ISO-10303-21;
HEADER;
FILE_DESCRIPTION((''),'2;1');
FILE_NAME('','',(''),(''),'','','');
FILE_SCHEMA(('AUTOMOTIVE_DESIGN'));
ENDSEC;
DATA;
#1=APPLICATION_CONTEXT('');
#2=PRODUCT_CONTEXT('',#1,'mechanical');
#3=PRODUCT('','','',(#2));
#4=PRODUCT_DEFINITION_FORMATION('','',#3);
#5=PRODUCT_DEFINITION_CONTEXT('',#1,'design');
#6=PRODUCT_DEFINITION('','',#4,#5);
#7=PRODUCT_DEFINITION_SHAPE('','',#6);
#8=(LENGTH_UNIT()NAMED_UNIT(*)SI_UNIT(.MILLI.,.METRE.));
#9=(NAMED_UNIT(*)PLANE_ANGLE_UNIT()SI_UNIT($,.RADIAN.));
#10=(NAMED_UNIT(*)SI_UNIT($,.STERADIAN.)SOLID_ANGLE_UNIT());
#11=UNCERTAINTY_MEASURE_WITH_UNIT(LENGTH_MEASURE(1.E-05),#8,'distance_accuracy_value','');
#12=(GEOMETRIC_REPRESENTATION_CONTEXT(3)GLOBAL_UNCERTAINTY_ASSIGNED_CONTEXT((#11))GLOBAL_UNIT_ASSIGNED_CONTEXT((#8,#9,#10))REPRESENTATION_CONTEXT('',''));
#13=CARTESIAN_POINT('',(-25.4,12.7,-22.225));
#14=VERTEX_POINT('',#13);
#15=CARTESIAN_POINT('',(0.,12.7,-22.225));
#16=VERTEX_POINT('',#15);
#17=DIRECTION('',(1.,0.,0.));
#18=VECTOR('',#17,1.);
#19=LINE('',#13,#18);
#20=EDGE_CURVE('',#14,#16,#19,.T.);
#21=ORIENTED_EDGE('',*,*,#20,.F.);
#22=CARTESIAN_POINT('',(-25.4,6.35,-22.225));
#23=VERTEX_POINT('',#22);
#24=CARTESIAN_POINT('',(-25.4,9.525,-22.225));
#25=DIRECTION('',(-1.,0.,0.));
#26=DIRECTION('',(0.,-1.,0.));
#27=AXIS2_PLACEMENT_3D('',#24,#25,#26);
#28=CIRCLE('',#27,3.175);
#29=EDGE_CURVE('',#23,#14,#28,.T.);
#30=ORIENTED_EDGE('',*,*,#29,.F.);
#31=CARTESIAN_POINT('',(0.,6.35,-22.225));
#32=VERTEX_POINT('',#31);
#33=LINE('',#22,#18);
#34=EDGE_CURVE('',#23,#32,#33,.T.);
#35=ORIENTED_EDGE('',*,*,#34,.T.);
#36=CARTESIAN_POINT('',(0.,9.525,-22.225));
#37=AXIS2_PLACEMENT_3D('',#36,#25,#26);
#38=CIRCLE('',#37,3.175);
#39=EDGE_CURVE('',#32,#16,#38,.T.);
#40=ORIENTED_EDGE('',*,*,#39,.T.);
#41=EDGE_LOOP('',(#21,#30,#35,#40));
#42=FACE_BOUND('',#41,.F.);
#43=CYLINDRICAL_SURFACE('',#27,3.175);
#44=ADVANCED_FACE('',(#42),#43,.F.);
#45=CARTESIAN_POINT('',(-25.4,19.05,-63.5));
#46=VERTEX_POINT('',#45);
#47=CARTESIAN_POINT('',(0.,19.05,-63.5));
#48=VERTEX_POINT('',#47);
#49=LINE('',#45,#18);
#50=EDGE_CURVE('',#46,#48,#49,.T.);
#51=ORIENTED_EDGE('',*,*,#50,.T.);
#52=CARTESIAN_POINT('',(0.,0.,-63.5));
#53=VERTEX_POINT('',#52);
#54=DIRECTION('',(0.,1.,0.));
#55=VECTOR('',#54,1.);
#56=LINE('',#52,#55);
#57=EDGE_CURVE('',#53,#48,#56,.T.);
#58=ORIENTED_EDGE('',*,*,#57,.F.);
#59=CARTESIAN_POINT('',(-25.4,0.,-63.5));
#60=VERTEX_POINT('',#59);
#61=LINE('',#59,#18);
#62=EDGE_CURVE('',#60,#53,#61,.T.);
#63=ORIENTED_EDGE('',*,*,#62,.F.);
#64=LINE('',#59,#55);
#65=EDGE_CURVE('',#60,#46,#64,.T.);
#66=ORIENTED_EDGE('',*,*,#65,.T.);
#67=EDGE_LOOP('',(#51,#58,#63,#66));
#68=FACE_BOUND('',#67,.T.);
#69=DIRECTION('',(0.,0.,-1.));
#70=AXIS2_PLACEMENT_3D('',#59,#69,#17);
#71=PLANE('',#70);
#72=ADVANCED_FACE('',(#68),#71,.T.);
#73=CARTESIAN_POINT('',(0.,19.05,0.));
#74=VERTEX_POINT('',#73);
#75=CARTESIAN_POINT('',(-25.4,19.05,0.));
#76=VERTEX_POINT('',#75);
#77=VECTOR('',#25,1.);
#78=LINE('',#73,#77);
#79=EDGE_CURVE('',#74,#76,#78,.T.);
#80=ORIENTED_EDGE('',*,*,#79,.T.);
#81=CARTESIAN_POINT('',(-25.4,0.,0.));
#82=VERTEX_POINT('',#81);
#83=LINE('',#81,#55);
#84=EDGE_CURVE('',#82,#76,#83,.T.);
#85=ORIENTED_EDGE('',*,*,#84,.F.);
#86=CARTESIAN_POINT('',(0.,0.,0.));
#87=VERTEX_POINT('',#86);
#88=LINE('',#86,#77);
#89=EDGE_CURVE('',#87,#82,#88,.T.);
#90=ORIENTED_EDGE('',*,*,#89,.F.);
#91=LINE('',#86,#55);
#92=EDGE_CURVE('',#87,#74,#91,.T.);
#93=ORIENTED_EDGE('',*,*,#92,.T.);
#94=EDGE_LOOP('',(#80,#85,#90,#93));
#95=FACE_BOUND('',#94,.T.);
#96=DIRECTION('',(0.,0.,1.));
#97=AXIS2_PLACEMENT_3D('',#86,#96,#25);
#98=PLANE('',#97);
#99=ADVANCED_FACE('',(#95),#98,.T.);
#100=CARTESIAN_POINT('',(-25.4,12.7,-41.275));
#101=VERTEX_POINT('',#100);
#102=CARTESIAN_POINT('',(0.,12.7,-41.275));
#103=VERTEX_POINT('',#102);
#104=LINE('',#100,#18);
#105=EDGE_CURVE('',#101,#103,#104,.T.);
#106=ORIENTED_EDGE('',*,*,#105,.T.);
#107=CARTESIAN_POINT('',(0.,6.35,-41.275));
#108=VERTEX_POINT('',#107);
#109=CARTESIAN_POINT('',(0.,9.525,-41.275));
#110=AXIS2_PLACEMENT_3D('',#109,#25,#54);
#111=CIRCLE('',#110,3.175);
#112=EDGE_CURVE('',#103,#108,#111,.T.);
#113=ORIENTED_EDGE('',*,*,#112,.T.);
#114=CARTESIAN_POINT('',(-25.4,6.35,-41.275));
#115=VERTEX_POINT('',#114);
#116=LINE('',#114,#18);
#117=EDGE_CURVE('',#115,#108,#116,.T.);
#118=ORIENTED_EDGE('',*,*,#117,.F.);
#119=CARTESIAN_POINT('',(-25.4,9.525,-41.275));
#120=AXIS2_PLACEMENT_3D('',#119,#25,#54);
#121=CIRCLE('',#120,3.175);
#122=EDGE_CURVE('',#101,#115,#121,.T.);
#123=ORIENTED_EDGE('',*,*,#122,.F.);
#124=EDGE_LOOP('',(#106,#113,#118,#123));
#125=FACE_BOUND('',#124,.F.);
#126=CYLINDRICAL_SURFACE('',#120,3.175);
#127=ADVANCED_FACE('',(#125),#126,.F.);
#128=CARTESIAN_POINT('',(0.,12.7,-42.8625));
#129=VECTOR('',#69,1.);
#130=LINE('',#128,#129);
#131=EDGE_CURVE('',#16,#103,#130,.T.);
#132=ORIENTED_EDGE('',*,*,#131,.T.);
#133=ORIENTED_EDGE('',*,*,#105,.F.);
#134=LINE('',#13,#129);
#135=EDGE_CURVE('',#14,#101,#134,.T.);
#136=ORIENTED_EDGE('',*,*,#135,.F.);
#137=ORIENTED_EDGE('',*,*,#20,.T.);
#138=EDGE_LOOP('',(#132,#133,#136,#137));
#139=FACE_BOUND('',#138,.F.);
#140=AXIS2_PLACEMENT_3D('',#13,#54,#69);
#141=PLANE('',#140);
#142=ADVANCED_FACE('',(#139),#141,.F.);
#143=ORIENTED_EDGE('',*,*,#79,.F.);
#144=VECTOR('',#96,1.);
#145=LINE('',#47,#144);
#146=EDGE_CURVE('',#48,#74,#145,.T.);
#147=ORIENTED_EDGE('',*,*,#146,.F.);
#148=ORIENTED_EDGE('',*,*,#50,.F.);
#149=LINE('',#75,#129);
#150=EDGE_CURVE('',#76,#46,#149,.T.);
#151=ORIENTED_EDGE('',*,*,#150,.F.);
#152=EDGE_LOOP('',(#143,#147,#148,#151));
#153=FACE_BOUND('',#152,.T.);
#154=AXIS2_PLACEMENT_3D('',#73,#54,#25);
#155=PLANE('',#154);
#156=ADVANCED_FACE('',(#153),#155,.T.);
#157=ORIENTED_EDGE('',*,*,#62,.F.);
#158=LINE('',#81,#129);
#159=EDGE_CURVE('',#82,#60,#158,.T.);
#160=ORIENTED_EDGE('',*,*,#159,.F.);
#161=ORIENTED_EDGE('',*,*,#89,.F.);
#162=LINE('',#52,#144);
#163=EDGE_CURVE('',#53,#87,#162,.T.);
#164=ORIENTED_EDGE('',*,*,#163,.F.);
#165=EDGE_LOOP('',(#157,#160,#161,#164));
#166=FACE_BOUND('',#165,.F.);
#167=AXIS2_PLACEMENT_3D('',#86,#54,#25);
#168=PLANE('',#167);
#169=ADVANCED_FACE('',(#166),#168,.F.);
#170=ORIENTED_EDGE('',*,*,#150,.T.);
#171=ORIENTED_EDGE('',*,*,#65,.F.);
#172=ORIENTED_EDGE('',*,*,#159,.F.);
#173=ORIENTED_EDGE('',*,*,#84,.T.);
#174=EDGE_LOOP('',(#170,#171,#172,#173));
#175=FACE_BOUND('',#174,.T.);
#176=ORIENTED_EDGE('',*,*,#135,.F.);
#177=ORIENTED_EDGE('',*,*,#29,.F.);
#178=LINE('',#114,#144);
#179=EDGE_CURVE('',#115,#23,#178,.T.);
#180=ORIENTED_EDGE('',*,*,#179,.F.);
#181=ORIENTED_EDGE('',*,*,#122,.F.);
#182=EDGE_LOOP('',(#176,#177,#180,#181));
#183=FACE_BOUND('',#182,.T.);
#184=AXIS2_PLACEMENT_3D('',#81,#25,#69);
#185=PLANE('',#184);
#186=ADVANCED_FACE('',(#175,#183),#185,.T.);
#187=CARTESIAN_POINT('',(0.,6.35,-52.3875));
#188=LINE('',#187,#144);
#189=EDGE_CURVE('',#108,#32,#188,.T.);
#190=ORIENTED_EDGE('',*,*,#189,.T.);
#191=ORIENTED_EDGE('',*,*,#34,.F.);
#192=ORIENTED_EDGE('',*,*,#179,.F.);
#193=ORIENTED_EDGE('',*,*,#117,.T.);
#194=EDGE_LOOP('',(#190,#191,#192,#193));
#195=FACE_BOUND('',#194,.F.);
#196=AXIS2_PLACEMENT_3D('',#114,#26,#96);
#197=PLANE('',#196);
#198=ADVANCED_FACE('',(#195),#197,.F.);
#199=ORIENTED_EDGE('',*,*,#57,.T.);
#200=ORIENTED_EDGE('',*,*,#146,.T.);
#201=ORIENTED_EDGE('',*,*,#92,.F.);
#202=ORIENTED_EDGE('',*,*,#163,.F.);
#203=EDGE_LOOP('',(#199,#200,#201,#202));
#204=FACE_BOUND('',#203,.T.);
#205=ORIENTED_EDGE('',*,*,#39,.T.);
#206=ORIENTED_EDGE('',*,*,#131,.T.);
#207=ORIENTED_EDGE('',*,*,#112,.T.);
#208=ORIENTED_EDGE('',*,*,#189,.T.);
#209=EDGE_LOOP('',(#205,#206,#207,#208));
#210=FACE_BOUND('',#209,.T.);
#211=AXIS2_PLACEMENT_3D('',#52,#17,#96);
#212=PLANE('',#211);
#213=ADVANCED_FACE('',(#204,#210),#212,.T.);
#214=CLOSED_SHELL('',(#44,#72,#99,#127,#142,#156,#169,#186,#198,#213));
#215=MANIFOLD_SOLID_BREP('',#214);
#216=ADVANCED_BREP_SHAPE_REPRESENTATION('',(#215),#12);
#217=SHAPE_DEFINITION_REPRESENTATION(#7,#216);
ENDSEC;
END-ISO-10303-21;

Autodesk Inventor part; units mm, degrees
ref_plane "YZ Plane" through (0, 0, 0) normal (1, 0, 0) x (0, 1, 0)
ref_plane "XZ Plane" through (0, 0, 0) normal (0, 1, 0) x (-1, 0, 0)
ref_plane "XY Plane" through (0, 0, 0) normal (0, 0, 1) x (1, 0, 0)
sketch "tensioner_wood_block_base_sketch" plane through (0, 0, 0) normal (0, 1, 0) x (-1, 0, 0)
  line L0 (0, 0) -> (25.4, 0)
  line L1 (25.4, 0) -> (25.4, -63.5)
  line L2 (25.4, -63.5) -> (0, -63.5)
  line L3 (0, -63.5) -> (0, 0)
  dimension "d0" = 25.4
  dimension "d1" = 63.5
extrude "base_extrusion" add sketch "tensioner_wood_block_base_sketch" along normal blind 19.05
sketch "tensioner_sketch" plane through (-25.4, 0, -63.5) normal (-1, 0, 0) x (0, 0, 1)
  line L0 (41.275, 9.525) -> (22.225, 9.525) construction
  line L1 (41.275, 12.7) -> (22.225, 12.7)
  line L2 (22.225, 6.35) -> (41.275, 6.35)
  arc A0 (41.275, 6.35) -> (41.275, 12.7) centre (41.275, 9.525) ccw
  arc A1 (22.225, 12.7) -> (22.225, 6.35) centre (22.225, 9.525) ccw
  line L3 (63.5, 0) -> (63.5, 19.05) projected
  line L4 (63.5, 0) -> (0, 0) projected
  line L5 (31.75, 0) -> (31.75, 9.525) construction
  line L6 (31.75, 9.525) -> (31.75, 19.05) construction
  line L7 (0, 19.05) -> (63.5, 19.05) projected
  dimension "d4" = 22.225
  dimension "d5" = 19.05
  dimension "d6" = 6.35
extrude "tensioner" cut sketch "tensioner_sketch" against normal up to next
equation "\"d0\" = twb_width"
equation "\"d1\" = twb_height"
equation "\"d2\" = twb_length"
equation "\"d4\" = twb_tensioner_from_edge"
equation "\"d5\" = bp_tensioner_height"
equation "\"d6\" = bp_tensioner_width"
equation "\"d7\" = twb_length"
equation "\"bp_thickness\" = 3.048"
equation "\"bp_height\" = gb_mh_seperation + st_outer_diameter"
equation "\"bp_width\" = 6 * st_rivet_distance"
equation "\"bp_axle_height\" = magic_axle_offset + gb_axle_from_edge + gb_to_bottom_of_side_assembly"
equation "\"magic_axle_offset\" = 3.175"
equation "\"bp_tensioner_width\" = 6.35"
equation "\"bp_tensioner_height\" = 19.05"
equation "\"bp_tensioner_from_bottom\" = 50.8"
equation "\"bp_tensioner_from_side\" = 25.4"
equation "\"bp_tensioner_wood_mount_from_tensioner_top\" = 12.7"
equation "\"bp_tensioner_wood_mount_diameter\" = 6.35"
equation "\"gb_mh_seperation\" = 111.1504"
equation "\"gb_mh_diameter\" = 6.35"
equation "\"gb_axle_from_edge\" = 38.1"
equation "\"gb_width\" = 127"
equation "\"gb_bearing_diameter\" = 28.575"
equation "\"gb_to_bottom_of_side_assembly\" = 4.7752"
equation "\"rv_hole_diameter\" = 3.57187"
equation "\"st_outer_diameter\" = 25.4"
equation "\"st_wall_thickness\" = 6.35"
equation "\"st_length\" = 939.8"
equation "\"st_gbmh_from_center\" = 0.5 * gb_mh_seperation"
equation "\"st_cutout_depth_right\" = 342.9"
equation "\"st_cutout_depth_left\" = 342.9"
equation "\"st_rivet_distance\" = 19.05"
equation "\"so_inner_diameter\" = 6.35"
equation "\"so_wall_thickness\" = 3.048"
equation "\"so_length\" = 25.4"
equation "\"twb_width\" = st_outer_diameter"
equation "\"twb_length\" = bp_tensioner_width + 2 * twb_margin_on_each_side"
equation "\"twb_height\" = 2 * bp_tensioner_wood_mount_diameter + bp_tensioner_height + 2 * bp_tensioner_wood_mount_from_tensioner_top + twb_margin_on_each_side"
equation "\"twb_margin_on_each_side\" = 6.35"
equation "\"twb_tensioner_from_edge\" = -0.5 * bp_tensioner_height + 0.5 * twb_height"
properties part number "tensioner_wood_block(twb)" material "Wood (Oak)"
